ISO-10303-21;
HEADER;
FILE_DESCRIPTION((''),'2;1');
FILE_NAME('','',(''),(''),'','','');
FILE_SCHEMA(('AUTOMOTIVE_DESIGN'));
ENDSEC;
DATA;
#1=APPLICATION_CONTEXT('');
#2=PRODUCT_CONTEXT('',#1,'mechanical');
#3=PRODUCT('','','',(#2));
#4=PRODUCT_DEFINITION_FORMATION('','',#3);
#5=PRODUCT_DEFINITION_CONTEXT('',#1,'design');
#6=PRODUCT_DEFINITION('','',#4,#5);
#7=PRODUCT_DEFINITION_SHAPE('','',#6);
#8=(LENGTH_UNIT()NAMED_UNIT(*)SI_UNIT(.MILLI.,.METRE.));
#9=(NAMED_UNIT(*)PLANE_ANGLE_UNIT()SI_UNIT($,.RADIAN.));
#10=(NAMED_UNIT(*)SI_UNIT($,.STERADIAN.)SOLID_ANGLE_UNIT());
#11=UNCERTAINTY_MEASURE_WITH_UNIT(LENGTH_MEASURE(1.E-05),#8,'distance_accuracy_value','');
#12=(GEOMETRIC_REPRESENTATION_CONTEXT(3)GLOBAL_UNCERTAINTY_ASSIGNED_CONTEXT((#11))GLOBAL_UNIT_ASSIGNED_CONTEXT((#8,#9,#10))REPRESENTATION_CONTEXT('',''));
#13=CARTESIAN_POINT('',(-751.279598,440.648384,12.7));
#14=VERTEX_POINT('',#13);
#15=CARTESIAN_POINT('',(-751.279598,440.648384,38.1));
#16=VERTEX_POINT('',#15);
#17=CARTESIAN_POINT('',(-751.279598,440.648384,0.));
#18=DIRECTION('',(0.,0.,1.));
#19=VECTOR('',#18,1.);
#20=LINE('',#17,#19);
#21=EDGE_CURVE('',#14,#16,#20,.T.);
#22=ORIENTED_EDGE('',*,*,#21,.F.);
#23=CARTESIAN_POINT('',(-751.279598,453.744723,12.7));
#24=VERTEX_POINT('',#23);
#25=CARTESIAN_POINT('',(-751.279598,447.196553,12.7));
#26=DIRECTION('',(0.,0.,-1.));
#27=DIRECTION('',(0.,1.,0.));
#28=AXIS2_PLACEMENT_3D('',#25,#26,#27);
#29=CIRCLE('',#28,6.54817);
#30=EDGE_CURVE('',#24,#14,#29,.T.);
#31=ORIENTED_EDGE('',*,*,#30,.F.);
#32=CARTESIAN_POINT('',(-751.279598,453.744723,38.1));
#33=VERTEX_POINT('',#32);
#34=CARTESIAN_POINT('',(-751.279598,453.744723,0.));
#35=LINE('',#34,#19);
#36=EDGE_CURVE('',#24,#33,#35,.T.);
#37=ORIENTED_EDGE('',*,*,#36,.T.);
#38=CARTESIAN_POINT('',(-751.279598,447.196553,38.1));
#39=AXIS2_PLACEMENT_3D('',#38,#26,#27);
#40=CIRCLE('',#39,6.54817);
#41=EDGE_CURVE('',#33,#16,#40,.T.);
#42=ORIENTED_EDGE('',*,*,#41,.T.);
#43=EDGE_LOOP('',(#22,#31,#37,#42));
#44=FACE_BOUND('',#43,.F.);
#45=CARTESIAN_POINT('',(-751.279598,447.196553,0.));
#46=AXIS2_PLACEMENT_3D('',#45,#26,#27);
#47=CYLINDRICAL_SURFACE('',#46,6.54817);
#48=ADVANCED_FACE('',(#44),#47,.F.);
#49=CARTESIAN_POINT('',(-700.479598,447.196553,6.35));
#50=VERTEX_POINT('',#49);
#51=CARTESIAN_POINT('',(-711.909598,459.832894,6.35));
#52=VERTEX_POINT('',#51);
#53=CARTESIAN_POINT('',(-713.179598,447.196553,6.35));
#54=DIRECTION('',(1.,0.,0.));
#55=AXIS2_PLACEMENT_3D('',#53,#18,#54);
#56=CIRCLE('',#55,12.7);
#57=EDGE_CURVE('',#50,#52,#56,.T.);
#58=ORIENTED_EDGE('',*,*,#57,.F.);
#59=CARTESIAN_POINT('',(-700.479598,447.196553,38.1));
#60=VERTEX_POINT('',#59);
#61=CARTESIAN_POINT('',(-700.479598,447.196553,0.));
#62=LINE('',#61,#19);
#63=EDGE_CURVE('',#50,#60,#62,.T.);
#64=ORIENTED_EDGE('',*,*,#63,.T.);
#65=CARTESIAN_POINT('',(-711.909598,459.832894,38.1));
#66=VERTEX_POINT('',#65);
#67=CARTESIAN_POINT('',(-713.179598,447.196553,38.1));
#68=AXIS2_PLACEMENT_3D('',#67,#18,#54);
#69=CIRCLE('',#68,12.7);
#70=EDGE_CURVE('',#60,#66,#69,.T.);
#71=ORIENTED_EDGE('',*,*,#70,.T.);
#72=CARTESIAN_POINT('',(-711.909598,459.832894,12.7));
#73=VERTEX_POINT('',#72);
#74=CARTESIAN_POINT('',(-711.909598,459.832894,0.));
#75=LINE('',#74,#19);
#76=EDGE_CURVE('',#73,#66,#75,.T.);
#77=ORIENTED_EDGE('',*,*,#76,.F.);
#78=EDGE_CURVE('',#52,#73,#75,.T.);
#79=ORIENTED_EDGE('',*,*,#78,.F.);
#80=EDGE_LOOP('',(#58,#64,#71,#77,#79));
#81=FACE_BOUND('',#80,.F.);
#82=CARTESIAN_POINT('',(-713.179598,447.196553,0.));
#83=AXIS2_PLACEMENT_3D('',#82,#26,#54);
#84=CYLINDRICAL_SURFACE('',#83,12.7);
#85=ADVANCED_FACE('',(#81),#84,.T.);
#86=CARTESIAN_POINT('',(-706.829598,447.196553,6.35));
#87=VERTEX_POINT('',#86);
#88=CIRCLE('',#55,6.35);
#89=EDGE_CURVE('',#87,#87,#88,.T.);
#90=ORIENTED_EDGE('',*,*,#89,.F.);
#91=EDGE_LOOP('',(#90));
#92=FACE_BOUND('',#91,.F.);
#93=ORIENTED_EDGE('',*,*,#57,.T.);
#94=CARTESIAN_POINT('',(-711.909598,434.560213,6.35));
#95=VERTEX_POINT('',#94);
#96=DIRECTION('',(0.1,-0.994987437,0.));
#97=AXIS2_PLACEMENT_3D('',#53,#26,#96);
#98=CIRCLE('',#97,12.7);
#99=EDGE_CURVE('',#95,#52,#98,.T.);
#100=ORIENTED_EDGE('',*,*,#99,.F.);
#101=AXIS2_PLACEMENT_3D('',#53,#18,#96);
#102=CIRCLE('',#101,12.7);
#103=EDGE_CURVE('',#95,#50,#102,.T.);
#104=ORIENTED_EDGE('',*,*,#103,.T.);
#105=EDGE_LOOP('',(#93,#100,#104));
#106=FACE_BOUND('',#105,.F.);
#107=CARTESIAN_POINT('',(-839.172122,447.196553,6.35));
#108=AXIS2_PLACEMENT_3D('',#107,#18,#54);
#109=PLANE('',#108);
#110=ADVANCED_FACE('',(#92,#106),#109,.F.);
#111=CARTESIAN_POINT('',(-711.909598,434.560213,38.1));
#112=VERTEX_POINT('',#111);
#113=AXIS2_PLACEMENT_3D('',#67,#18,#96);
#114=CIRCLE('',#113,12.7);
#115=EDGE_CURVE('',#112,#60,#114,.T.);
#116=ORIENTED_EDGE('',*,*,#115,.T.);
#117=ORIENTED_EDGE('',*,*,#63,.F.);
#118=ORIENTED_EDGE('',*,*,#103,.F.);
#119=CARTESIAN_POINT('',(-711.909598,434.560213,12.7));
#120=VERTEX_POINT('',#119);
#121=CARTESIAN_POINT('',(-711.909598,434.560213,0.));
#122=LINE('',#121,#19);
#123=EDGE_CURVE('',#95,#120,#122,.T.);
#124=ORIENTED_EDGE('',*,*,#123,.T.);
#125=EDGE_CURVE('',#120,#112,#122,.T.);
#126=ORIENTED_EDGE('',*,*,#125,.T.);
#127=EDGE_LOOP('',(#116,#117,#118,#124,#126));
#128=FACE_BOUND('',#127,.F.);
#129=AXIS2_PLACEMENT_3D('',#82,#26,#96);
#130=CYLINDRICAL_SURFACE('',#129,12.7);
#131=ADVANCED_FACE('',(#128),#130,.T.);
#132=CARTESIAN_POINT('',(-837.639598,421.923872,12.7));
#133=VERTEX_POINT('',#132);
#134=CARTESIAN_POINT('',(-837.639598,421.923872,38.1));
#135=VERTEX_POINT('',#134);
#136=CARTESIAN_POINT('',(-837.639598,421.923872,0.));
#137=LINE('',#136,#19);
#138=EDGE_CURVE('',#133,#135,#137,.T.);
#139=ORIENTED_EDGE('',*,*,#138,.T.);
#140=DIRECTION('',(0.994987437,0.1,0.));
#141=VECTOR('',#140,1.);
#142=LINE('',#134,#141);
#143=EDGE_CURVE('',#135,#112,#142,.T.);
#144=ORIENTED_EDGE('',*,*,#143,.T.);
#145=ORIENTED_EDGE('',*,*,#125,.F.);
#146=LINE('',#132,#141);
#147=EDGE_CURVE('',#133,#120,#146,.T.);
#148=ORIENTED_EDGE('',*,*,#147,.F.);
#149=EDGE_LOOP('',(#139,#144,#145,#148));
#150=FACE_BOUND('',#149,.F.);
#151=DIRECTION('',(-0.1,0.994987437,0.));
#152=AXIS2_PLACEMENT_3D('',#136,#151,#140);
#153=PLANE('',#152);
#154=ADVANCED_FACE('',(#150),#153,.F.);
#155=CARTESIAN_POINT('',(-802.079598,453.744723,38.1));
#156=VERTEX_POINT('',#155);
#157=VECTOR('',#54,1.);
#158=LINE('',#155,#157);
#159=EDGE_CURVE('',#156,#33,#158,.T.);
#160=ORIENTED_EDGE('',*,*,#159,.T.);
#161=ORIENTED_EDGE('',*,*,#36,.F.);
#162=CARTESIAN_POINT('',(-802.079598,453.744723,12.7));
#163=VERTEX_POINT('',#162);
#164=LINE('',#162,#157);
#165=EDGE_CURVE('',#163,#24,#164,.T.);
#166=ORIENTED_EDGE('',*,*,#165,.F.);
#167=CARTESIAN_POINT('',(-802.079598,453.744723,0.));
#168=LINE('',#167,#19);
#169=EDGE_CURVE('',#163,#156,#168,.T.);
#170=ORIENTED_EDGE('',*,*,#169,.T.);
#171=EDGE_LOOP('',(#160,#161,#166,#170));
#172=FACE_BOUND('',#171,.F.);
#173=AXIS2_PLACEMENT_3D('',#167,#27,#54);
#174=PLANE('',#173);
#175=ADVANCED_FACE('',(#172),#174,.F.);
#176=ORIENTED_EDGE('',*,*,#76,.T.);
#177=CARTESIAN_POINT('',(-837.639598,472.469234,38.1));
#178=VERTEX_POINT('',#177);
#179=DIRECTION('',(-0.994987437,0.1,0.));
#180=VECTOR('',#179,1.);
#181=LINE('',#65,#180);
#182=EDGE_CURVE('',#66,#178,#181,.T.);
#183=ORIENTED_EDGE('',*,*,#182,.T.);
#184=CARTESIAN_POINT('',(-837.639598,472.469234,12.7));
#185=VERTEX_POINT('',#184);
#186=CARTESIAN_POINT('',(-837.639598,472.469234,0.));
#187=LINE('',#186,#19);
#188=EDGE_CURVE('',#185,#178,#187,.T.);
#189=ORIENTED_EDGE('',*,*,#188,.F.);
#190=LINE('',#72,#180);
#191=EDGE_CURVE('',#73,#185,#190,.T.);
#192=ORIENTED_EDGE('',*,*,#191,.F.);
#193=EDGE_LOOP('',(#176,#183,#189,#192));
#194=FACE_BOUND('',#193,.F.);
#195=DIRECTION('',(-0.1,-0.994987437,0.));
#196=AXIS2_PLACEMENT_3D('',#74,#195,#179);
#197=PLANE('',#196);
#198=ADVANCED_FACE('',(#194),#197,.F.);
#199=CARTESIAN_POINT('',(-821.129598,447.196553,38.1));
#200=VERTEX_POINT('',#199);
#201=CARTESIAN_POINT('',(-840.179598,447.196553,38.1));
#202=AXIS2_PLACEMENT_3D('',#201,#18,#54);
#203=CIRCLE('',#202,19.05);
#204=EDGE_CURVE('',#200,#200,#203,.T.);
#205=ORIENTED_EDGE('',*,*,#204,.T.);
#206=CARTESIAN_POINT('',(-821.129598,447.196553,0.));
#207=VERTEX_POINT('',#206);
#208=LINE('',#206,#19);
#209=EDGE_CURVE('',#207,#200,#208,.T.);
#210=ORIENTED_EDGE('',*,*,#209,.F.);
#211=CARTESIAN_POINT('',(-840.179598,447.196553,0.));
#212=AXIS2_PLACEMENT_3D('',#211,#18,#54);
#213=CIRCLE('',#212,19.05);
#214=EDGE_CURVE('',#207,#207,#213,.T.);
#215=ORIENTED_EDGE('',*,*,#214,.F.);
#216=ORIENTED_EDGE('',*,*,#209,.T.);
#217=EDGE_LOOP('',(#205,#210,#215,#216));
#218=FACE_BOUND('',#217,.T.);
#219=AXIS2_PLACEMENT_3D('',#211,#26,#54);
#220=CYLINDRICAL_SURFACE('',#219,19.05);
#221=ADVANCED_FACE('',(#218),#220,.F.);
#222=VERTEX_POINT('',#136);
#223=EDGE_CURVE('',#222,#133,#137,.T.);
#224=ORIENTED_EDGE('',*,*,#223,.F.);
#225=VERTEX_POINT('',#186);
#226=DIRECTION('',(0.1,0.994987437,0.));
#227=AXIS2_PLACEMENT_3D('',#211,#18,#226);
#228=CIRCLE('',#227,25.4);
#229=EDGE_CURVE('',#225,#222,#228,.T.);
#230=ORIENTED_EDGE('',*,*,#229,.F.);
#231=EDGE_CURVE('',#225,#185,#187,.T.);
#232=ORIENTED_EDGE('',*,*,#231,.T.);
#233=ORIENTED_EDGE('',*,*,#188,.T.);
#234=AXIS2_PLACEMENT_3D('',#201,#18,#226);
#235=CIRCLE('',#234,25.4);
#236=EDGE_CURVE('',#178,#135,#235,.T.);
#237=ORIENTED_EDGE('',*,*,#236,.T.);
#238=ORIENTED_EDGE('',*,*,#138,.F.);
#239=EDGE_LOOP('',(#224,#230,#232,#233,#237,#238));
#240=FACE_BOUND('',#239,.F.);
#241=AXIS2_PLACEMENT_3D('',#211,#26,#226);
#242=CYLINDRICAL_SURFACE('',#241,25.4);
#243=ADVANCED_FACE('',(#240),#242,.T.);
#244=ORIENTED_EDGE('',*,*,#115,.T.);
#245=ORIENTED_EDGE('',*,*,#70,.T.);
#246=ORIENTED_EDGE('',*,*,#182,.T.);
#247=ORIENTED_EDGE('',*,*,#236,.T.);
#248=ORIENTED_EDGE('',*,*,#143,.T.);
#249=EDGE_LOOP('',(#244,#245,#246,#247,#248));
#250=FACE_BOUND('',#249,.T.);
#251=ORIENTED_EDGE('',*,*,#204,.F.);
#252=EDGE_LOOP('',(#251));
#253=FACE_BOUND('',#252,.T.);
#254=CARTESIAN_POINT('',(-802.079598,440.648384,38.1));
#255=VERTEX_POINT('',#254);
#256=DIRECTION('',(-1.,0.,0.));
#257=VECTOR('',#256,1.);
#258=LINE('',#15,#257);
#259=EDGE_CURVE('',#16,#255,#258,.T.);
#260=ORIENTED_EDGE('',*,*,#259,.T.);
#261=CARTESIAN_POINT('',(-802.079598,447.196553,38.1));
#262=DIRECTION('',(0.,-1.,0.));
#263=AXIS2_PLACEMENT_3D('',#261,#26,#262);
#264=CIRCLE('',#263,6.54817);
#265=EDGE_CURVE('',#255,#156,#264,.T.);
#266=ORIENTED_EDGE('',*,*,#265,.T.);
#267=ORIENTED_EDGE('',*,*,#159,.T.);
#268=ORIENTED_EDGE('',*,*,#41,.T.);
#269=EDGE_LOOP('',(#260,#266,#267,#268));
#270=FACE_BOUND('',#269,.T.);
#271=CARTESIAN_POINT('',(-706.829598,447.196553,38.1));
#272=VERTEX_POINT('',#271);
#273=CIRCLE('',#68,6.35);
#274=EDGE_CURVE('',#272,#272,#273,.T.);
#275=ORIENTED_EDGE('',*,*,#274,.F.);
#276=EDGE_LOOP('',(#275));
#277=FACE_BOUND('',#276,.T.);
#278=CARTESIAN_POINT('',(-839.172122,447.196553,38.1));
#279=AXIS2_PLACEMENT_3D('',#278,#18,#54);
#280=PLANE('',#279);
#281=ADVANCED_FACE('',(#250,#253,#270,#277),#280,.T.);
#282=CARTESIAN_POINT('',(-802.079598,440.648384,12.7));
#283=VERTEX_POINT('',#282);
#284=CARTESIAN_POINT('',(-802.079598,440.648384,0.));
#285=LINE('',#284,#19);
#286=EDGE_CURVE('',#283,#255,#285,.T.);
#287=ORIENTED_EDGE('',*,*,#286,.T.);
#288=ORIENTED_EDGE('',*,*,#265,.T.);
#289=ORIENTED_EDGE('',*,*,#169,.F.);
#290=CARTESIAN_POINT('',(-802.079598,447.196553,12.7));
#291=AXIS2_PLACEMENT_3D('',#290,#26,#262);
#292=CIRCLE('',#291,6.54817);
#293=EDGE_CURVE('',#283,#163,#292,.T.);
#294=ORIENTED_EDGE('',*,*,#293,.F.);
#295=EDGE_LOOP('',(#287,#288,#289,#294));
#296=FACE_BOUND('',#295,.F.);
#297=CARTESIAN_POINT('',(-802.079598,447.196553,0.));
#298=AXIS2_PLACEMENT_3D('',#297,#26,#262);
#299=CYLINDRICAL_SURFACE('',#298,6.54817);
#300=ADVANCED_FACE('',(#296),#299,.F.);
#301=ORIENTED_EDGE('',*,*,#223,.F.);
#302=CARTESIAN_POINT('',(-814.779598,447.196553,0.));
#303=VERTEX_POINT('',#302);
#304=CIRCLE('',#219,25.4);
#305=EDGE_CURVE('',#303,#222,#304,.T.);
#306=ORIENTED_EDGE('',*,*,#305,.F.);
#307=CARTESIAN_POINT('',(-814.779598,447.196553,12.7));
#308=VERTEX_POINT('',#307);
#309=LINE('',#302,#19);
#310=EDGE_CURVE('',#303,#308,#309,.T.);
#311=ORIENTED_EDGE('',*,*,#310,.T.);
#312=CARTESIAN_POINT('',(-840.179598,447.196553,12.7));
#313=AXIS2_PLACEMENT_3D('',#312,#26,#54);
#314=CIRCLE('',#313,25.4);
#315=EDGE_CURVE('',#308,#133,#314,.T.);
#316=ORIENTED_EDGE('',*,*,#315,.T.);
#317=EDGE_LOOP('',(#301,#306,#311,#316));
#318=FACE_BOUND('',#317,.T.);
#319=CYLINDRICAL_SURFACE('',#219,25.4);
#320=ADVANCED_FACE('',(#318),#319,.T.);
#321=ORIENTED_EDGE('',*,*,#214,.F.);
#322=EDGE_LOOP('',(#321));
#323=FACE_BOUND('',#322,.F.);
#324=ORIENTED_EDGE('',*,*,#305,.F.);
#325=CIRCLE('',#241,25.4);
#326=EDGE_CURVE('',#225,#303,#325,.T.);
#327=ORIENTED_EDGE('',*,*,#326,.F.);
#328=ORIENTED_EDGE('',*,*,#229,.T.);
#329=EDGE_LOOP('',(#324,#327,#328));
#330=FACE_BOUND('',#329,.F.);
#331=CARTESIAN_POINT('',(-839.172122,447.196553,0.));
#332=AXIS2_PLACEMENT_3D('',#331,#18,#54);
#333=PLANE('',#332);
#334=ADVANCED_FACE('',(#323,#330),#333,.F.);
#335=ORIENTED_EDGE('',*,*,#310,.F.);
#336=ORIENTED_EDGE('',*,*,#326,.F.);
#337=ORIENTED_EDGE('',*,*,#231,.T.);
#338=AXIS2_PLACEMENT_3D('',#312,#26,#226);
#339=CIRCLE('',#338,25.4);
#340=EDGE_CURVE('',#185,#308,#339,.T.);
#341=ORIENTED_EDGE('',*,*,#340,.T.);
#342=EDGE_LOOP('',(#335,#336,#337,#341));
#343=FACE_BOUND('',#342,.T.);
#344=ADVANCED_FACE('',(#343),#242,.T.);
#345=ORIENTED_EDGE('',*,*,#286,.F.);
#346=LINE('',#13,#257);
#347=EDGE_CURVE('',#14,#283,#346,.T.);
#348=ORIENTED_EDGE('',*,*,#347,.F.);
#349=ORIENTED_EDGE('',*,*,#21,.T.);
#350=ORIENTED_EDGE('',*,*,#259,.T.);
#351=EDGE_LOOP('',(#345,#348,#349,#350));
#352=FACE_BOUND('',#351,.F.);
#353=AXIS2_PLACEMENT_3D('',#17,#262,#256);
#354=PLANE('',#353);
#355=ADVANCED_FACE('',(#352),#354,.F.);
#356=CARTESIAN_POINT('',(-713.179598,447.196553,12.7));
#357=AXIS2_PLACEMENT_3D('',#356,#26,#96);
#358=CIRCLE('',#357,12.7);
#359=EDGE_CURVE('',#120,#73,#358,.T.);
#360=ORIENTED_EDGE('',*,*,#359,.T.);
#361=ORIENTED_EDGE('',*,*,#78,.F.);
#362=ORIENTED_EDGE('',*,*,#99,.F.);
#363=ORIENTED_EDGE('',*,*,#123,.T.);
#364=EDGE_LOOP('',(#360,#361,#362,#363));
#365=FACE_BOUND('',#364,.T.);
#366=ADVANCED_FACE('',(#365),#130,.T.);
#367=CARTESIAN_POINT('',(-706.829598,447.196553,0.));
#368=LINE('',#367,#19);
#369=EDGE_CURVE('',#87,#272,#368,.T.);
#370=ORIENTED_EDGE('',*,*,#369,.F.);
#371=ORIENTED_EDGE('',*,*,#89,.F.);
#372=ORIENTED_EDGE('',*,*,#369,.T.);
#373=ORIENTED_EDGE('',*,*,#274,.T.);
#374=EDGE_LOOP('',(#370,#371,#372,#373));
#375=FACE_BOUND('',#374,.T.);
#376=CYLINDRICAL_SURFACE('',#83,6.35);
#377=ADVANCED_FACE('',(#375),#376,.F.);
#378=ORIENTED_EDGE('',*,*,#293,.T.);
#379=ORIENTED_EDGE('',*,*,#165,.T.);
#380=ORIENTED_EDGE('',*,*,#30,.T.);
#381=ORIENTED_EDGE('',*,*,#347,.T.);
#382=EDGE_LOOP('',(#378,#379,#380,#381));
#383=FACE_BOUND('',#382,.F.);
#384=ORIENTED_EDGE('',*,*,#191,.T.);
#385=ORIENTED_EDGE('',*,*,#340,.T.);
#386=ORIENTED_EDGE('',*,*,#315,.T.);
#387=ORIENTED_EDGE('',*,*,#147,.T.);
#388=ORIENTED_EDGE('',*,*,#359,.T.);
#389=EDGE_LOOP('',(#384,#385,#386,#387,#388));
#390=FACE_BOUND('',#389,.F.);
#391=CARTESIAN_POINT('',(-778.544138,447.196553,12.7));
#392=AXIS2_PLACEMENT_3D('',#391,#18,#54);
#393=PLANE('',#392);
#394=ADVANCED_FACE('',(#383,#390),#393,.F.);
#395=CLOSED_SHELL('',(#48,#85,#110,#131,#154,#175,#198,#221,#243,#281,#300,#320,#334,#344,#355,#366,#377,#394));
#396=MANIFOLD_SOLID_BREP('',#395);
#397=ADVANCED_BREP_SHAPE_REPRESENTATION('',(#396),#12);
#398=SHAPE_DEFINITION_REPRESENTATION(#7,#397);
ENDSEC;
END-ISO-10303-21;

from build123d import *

# Parameters (mm, degrees)
F0_R     = 19.05
F0_R_2   = 6.35
F1_DEPTH = 38.1
F2_DEPTH = 12.7
F3_DEPTH = 6.35


with BuildPart() as f1:
    # F0 (on Top) → F1 (new body)
    with BuildSketch(Plane.XY):
        with BuildLine():
            ThreePointArc((-837.6395976841, 421.923872186), (-821.3424535269, 430.1577150999), (-814.7795976841, 447.1965530885))
            ThreePointArc((-814.7795976841, 447.1965530885), (-821.3424535269, 464.235391077), (-837.6395976841, 472.469233991))
            ThreePointArc((-837.6395976841, 472.469233991), (-865.5795976841, 447.1965530885), (-837.6395976841, 421.923872186))
        make_face()
        with Locations((-840.1795976841, 447.1965530885)):
            Circle(F0_R, mode=Mode.SUBTRACT)
        with BuildLine():
            ThreePointArc((-837.6395976841, 472.469233991), (-821.3424535269, 464.235391077), (-814.7795976841, 447.1965530885))
            ThreePointArc((-814.7795976841, 447.1965530885), (-821.3424535269, 430.1577150999), (-837.6395976841, 421.923872186))
            Line((-837.6395976841, 421.923872186), (-711.9095976841, 434.5602126372))
            ThreePointArc((-711.9095976841, 434.5602126372), (-725.8795976841, 447.1965530885), (-711.9095976841, 459.8328935397))
            Line((-711.9095976841, 459.8328935397), (-837.6395976841, 472.469233991))
        make_face()
        with BuildLine():
            ThreePointArc((-802.0795976841, 440.6483835481), (-808.6277672246, 447.1965530885), (-802.0795976841, 453.7447226289))
            Line((-802.0795976841, 453.7447226289), (-751.2795976841, 453.7447226289))
            ThreePointArc((-751.2795976841, 453.7447226289), (-744.7314281437, 447.1965530885), (-751.2795976841, 440.6483835481))
            Line((-751.2795976841, 440.6483835481), (-802.0795976841, 440.6483835481))
        make_face(mode=Mode.SUBTRACT)
        with BuildLine():
            ThreePointArc((-700.4795976841, 447.1965530885), (-703.7610256055, 455.7159720828), (-711.9095976841, 459.8328935397))
            ThreePointArc((-711.9095976841, 459.8328935397), (-725.8795976841, 447.1965530885), (-711.9095976841, 434.5602126372))
            ThreePointArc((-711.9095976841, 434.5602126372), (-703.7610256055, 438.6771340942), (-700.4795976841, 447.1965530885))
        make_face()
        with Locations((-713.1795976841, 447.1965530885)):
            Circle(F0_R_2, mode=Mode.SUBTRACT)
    extrude(amount=F1_DEPTH)

    # F0 (on Top) → F2 (cut)
    with BuildSketch(Plane.XY):
        with BuildLine():
            ThreePointArc((-837.6395976841, 472.469233991), (-821.3424535269, 464.235391077), (-814.7795976841, 447.1965530885))
            ThreePointArc((-814.7795976841, 447.1965530885), (-821.3424535269, 430.1577150999), (-837.6395976841, 421.923872186))
            Line((-837.6395976841, 421.923872186), (-711.9095976841, 434.5602126372))
            ThreePointArc((-711.9095976841, 434.5602126372), (-725.8795976841, 447.1965530885), (-711.9095976841, 459.8328935397))
            Line((-711.9095976841, 459.8328935397), (-837.6395976841, 472.469233991))
        make_face()
        with BuildLine():
            ThreePointArc((-802.0795976841, 440.6483835481), (-808.6277672246, 447.1965530885), (-802.0795976841, 453.7447226289))
            Line((-802.0795976841, 453.7447226289), (-751.2795976841, 453.7447226289))
            ThreePointArc((-751.2795976841, 453.7447226289), (-744.7314281437, 447.1965530885), (-751.2795976841, 440.6483835481))
            Line((-751.2795976841, 440.6483835481), (-802.0795976841, 440.6483835481))
        make_face(mode=Mode.SUBTRACT)
    extrude(amount=F2_DEPTH, mode=Mode.SUBTRACT)

    # F3 (cut): a face of the model
    f3_faces = [f1.faces().sort_by_distance(p)[0] for p in [
        (-714.4136766597, 459.4754838588, 0),
    ]]
    extrude(f3_faces, amount=-F3_DEPTH, mode=Mode.SUBTRACT)


solid = f1.part
